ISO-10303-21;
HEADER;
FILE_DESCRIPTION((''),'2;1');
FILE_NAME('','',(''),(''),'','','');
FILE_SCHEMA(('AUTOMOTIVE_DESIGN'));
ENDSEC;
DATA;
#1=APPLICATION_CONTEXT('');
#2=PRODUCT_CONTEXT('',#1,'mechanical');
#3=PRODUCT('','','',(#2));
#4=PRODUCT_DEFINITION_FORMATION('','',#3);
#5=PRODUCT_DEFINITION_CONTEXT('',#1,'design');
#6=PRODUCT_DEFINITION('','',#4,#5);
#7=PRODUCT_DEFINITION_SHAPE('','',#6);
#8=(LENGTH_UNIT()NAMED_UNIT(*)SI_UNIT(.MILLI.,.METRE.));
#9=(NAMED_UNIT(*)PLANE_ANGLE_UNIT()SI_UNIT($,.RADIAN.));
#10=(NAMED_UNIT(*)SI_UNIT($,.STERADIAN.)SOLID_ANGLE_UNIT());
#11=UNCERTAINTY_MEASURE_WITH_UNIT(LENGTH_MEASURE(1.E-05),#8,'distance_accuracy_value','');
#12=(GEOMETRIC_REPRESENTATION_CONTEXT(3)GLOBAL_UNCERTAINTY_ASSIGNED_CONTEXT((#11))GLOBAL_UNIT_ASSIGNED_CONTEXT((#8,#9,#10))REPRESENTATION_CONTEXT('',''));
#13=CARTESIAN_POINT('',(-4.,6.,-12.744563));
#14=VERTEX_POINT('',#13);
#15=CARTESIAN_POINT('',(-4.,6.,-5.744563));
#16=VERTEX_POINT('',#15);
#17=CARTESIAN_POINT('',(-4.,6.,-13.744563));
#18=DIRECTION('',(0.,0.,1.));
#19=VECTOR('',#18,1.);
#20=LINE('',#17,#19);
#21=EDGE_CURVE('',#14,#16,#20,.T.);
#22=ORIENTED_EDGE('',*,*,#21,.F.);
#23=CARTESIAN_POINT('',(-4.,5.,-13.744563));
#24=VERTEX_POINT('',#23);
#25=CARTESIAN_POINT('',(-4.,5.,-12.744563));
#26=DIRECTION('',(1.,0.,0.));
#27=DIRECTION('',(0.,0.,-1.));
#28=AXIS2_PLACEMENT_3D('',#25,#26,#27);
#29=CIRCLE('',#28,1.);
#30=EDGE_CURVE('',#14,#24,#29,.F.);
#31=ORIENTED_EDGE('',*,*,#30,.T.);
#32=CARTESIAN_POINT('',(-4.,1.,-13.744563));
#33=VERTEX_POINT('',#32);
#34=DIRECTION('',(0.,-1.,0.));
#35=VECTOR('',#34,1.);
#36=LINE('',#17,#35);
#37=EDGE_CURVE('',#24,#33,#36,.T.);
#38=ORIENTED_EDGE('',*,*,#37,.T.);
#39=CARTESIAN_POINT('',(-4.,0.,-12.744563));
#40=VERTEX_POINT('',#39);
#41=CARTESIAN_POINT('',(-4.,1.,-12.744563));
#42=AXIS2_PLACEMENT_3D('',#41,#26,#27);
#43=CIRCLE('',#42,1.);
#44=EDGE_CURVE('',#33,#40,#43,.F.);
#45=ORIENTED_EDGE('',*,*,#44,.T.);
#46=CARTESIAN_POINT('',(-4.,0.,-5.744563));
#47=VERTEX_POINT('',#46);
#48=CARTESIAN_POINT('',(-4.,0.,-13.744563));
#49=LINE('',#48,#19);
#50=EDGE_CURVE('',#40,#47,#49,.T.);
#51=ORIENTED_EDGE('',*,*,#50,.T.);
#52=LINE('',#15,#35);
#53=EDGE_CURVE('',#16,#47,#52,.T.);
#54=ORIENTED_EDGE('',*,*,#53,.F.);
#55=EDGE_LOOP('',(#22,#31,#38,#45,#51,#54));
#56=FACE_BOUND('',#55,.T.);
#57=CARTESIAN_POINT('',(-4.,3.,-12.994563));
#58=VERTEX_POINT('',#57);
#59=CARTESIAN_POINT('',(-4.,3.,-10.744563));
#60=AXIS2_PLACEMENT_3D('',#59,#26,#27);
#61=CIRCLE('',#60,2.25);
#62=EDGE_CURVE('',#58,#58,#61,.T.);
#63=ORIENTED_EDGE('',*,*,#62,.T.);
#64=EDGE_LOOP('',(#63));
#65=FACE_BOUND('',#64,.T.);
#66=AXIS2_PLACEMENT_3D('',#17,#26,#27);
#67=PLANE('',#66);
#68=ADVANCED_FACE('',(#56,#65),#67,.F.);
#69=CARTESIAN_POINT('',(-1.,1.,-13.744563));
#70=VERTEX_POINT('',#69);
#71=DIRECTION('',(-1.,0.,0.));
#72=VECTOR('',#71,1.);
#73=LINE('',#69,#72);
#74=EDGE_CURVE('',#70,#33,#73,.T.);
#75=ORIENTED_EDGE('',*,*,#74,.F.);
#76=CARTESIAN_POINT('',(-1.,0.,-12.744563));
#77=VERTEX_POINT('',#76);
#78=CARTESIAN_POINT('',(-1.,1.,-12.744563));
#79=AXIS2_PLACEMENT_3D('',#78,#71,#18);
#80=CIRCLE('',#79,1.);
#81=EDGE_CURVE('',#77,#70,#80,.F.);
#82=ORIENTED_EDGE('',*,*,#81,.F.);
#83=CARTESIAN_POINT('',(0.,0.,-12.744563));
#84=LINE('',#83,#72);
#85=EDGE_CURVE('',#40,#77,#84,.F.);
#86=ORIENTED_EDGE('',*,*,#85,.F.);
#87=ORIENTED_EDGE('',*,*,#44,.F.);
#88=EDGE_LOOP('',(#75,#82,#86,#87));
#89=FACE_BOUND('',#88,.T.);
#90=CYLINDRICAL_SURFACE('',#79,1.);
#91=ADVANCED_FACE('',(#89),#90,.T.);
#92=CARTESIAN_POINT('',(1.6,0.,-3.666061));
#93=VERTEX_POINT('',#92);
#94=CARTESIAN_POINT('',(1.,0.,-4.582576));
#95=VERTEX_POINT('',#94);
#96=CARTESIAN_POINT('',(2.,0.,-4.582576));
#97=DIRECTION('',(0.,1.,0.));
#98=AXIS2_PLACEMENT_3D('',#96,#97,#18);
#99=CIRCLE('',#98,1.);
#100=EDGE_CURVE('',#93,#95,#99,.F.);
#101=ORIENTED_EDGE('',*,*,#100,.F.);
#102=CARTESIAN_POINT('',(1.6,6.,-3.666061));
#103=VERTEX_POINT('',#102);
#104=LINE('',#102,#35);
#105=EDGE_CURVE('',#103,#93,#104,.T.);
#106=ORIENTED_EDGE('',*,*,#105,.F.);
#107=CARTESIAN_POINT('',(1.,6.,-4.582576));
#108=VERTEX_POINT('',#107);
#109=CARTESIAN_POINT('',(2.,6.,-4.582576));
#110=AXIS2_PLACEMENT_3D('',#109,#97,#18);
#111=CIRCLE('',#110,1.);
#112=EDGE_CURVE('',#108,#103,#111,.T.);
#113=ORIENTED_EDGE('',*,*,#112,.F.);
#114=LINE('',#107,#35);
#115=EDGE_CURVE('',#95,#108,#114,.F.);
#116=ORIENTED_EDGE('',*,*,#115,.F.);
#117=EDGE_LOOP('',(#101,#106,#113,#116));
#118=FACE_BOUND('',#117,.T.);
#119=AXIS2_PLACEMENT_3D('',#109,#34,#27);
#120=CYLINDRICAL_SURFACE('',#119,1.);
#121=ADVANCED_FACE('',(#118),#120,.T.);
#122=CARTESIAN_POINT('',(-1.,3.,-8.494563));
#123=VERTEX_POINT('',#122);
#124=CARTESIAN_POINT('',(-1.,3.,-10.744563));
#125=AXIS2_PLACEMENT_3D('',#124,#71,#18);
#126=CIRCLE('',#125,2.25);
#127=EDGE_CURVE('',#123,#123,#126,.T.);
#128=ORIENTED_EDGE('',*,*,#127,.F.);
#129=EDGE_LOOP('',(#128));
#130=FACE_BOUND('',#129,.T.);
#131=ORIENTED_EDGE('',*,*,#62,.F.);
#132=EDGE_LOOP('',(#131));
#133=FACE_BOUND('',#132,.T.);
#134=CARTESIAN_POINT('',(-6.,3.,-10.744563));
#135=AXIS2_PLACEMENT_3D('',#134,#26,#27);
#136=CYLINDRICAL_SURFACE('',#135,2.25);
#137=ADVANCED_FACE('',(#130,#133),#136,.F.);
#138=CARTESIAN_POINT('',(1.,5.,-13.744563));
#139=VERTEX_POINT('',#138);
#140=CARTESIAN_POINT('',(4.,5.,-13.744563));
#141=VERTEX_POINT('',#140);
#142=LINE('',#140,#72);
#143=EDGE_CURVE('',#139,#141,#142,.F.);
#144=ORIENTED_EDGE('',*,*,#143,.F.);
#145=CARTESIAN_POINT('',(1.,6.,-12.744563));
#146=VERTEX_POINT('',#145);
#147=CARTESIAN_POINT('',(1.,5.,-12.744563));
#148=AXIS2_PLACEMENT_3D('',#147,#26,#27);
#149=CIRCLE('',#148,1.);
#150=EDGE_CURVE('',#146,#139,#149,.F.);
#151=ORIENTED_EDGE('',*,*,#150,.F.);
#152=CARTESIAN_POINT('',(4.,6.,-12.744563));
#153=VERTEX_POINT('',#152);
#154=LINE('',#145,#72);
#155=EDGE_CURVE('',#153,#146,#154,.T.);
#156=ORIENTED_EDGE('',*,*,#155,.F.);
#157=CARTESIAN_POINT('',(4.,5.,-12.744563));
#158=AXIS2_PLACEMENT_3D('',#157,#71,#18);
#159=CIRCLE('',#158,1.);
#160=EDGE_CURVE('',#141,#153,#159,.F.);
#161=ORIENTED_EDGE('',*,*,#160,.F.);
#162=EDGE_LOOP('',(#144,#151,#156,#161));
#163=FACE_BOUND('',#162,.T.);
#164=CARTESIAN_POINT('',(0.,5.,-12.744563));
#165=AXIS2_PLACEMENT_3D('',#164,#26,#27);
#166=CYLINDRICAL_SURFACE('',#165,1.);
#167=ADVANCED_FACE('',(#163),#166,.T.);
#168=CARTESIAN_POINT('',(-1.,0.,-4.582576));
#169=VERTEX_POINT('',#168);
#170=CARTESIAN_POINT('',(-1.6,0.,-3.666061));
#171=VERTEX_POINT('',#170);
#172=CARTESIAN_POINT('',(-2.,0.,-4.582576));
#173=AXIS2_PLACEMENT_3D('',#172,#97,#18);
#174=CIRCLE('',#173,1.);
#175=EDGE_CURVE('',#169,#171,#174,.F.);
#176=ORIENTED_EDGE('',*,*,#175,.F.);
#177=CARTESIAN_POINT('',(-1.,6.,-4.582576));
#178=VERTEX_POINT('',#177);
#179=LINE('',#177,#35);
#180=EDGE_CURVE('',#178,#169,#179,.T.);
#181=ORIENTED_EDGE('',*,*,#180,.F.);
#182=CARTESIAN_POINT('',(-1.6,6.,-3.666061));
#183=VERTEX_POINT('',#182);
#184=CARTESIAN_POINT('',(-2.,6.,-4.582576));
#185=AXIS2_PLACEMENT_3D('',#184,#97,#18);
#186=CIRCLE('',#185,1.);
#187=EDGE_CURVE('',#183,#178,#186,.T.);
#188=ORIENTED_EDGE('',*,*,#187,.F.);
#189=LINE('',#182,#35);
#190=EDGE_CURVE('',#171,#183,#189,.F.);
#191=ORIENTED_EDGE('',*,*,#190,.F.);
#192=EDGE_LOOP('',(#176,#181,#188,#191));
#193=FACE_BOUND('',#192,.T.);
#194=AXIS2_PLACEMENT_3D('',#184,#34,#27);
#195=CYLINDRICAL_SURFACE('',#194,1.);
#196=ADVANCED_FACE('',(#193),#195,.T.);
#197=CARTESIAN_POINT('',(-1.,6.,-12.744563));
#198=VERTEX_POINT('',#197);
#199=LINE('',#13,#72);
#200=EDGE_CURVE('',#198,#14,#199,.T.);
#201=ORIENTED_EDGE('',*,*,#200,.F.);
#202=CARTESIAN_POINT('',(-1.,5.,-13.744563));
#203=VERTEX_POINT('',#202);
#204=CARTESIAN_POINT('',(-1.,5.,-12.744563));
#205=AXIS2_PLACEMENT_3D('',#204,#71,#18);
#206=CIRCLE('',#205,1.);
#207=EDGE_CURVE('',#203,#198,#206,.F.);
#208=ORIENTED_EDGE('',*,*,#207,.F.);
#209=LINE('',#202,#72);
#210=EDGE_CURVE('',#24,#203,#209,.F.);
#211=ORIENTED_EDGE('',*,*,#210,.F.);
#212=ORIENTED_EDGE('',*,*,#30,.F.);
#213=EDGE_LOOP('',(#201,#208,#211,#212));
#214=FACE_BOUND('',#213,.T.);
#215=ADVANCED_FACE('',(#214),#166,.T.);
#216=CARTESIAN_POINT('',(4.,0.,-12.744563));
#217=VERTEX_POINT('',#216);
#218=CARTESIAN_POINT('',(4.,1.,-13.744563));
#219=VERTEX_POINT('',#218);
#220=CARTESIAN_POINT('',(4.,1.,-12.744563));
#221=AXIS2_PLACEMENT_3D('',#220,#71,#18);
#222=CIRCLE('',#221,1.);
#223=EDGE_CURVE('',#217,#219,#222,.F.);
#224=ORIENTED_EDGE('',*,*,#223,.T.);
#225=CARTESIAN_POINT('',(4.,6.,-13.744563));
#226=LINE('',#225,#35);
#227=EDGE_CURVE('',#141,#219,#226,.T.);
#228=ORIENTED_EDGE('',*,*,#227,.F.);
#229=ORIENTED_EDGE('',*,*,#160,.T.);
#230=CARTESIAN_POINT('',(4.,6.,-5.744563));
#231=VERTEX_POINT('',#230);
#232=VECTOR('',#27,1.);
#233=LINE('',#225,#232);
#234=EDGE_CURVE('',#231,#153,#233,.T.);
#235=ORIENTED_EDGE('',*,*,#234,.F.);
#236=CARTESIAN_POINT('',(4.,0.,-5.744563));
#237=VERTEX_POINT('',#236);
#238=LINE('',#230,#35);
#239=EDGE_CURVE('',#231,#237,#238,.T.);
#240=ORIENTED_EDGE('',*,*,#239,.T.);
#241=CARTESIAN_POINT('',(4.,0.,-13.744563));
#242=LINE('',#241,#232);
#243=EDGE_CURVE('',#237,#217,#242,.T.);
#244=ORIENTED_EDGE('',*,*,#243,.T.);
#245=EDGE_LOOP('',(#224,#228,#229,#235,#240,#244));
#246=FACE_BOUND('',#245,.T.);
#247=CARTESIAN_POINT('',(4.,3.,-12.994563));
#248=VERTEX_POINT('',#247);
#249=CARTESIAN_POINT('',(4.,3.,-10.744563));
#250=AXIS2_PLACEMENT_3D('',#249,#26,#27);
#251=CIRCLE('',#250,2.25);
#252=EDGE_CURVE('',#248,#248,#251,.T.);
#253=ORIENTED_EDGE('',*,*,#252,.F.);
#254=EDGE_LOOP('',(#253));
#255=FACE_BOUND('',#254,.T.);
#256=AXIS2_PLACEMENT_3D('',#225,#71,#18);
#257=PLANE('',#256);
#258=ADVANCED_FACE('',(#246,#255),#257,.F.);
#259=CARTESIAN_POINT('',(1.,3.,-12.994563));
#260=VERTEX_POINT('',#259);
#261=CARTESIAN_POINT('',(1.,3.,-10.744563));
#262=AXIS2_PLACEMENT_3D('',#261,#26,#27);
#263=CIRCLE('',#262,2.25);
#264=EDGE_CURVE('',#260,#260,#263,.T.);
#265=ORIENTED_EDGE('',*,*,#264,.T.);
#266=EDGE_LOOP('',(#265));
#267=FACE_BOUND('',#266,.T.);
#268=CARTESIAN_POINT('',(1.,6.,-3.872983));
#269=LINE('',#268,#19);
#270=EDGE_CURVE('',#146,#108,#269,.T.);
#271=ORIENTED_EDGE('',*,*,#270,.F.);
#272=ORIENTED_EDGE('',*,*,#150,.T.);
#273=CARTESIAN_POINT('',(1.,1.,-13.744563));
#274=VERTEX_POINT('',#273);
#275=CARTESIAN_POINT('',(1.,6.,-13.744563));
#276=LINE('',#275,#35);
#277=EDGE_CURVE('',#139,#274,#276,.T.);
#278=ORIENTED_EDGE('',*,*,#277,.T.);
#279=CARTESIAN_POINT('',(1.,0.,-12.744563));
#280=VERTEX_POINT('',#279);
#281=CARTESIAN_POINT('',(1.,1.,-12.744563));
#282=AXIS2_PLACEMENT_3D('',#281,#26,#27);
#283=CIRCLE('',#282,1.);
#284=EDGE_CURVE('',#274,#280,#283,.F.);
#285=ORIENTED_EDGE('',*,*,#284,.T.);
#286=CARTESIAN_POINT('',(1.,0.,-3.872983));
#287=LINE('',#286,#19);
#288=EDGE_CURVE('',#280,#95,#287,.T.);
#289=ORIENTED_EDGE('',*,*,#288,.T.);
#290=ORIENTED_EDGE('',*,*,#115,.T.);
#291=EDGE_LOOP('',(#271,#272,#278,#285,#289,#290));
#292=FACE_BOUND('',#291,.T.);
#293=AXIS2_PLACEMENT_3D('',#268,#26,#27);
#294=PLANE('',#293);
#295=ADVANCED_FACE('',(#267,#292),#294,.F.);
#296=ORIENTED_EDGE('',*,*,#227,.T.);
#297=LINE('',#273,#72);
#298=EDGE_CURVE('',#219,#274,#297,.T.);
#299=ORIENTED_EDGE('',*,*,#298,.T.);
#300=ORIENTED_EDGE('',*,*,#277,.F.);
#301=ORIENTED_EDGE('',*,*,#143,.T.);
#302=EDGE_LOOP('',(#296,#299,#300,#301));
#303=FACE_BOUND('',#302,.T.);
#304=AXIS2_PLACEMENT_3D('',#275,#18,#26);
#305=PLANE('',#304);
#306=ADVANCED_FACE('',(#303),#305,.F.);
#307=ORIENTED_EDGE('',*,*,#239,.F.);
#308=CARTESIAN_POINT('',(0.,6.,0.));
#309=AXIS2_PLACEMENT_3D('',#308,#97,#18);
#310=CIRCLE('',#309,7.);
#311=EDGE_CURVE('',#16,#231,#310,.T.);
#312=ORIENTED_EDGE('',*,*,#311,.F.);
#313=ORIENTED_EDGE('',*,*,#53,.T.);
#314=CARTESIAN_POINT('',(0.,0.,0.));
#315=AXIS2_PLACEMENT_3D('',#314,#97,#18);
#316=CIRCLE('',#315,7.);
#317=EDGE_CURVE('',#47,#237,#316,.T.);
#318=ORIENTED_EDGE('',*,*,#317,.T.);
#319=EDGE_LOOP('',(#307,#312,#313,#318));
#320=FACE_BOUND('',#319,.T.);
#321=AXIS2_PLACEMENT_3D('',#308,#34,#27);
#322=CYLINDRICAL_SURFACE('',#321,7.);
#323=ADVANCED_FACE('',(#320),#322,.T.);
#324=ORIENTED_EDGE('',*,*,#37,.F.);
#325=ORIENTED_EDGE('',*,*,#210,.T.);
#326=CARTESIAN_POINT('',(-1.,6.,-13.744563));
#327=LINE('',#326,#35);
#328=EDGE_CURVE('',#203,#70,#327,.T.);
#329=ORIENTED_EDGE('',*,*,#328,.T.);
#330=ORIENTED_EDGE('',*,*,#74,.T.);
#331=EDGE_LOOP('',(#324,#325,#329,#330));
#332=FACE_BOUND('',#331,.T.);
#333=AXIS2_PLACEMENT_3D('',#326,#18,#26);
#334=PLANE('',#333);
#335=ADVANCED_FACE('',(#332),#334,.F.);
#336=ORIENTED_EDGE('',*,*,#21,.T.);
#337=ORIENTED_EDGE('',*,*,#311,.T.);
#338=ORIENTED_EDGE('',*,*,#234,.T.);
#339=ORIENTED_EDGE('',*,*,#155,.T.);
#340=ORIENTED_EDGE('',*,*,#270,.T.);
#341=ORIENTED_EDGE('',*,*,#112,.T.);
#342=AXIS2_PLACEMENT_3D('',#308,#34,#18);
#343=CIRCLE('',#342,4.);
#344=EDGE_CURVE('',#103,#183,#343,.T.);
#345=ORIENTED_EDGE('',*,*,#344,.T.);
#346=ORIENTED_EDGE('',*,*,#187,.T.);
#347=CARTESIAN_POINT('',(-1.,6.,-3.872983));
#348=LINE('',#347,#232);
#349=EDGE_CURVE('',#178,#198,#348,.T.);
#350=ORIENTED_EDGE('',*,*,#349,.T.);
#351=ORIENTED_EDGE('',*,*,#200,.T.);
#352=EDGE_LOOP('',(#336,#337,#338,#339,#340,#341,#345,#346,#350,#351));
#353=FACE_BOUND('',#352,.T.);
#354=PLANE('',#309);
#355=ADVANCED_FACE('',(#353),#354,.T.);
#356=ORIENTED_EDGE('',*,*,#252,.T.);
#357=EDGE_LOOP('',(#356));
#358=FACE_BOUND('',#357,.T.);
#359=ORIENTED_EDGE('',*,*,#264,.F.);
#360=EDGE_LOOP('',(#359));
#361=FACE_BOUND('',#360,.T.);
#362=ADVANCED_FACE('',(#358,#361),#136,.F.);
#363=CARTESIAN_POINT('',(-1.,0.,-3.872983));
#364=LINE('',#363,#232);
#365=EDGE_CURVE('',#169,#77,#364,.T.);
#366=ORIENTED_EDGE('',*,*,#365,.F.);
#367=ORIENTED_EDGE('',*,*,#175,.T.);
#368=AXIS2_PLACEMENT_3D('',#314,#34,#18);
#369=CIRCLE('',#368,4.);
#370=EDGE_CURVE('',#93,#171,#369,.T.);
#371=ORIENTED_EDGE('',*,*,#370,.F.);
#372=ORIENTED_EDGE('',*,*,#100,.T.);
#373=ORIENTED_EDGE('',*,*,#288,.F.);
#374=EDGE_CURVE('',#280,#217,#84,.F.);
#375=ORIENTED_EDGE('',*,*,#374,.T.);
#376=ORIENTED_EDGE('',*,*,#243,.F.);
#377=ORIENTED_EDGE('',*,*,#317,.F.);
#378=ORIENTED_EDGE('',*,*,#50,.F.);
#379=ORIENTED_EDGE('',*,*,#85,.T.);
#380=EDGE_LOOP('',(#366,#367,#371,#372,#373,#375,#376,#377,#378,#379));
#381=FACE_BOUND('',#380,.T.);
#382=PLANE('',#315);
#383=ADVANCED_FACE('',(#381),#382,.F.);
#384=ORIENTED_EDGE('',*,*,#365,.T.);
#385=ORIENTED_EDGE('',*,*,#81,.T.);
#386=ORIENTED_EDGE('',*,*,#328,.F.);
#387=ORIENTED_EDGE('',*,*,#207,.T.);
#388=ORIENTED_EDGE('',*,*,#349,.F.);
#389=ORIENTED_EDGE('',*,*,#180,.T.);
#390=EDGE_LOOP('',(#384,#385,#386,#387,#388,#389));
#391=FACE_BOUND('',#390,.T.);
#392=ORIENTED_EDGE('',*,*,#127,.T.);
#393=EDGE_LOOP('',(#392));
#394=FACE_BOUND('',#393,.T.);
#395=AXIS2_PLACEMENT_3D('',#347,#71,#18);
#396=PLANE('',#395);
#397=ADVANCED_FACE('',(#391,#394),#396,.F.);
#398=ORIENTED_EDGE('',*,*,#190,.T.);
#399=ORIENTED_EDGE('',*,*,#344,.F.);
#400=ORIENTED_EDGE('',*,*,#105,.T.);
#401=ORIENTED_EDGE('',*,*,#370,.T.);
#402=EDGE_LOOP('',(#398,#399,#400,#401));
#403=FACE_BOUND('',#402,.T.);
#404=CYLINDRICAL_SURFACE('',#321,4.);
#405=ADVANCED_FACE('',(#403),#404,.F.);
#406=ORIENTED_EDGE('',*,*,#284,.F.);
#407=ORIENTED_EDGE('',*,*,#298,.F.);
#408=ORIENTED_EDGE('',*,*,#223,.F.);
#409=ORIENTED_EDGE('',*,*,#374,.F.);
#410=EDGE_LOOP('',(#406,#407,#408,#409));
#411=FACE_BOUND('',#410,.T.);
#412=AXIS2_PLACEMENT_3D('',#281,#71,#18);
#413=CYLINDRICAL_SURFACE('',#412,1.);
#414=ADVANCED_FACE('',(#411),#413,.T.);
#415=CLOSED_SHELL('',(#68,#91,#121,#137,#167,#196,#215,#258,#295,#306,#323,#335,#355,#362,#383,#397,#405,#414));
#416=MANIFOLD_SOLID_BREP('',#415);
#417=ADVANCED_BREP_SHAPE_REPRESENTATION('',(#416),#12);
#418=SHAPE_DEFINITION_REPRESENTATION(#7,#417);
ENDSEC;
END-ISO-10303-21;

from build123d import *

# Parameters (mm, degrees)
BOSS_EXTRUDE1_DEPTH = 6
SKETCH3_R           = 2.25
CUT_EXTRUDE1_DEPTH  = 10
FILLET1_R           = 1


with BuildPart() as part:
    # Sketch2 → Boss-Extrude1 (new body)
    with BuildSketch(Plane(origin=(0, 0, 0), x_dir=(1, 0, 0), z_dir=(0, 1, 0))):
        with BuildLine():
            Line((-1, 3.872983346), (-1, 13.744562647))
            Line((-1, 13.744562647), (-4, 13.744562647))
            Line((-4, 13.744562647), (-4, 5.744562647))
            ThreePointArc((-4, 5.744562647), (0, -7), (4, 5.744562647))
            Line((4, 5.744562647), (4, 13.744562647))
            Line((4, 13.744562647), (1, 13.744562647))
            Line((1, 13.744562647), (1, 3.872983346))
            ThreePointArc((1, 3.872983346), (0, -4), (-1, 3.872983346))
        make_face()
    extrude(amount=BOSS_EXTRUDE1_DEPTH)

    # Sketch3 → Cut-Extrude1 (cut)
    with BuildSketch(Plane(origin=(4, 0, 0), x_dir=(0, 0, -1), z_dir=(1, 0, 0))):
        with Locations((10.744562647, 3)):
            Circle(SKETCH3_R)
    extrude(amount=-CUT_EXTRUDE1_DEPTH, mode=Mode.SUBTRACT)

    # Fillet1
    fillet1_edges = [part.edges().sort_by_distance(p)[0] for p in [
        (-2.5, 0, -13.744562647),
        (-2.5, 6, -13.744562647),
        (1, 3, -3.872983346),
        (-1, 3, -3.872983346),
        (2.5, 6, -13.744562647),
        (2.5, 0, -13.744562647),
    ]]
    fillet(fillet1_edges, radius=FILLET1_R)


solid = part.part
